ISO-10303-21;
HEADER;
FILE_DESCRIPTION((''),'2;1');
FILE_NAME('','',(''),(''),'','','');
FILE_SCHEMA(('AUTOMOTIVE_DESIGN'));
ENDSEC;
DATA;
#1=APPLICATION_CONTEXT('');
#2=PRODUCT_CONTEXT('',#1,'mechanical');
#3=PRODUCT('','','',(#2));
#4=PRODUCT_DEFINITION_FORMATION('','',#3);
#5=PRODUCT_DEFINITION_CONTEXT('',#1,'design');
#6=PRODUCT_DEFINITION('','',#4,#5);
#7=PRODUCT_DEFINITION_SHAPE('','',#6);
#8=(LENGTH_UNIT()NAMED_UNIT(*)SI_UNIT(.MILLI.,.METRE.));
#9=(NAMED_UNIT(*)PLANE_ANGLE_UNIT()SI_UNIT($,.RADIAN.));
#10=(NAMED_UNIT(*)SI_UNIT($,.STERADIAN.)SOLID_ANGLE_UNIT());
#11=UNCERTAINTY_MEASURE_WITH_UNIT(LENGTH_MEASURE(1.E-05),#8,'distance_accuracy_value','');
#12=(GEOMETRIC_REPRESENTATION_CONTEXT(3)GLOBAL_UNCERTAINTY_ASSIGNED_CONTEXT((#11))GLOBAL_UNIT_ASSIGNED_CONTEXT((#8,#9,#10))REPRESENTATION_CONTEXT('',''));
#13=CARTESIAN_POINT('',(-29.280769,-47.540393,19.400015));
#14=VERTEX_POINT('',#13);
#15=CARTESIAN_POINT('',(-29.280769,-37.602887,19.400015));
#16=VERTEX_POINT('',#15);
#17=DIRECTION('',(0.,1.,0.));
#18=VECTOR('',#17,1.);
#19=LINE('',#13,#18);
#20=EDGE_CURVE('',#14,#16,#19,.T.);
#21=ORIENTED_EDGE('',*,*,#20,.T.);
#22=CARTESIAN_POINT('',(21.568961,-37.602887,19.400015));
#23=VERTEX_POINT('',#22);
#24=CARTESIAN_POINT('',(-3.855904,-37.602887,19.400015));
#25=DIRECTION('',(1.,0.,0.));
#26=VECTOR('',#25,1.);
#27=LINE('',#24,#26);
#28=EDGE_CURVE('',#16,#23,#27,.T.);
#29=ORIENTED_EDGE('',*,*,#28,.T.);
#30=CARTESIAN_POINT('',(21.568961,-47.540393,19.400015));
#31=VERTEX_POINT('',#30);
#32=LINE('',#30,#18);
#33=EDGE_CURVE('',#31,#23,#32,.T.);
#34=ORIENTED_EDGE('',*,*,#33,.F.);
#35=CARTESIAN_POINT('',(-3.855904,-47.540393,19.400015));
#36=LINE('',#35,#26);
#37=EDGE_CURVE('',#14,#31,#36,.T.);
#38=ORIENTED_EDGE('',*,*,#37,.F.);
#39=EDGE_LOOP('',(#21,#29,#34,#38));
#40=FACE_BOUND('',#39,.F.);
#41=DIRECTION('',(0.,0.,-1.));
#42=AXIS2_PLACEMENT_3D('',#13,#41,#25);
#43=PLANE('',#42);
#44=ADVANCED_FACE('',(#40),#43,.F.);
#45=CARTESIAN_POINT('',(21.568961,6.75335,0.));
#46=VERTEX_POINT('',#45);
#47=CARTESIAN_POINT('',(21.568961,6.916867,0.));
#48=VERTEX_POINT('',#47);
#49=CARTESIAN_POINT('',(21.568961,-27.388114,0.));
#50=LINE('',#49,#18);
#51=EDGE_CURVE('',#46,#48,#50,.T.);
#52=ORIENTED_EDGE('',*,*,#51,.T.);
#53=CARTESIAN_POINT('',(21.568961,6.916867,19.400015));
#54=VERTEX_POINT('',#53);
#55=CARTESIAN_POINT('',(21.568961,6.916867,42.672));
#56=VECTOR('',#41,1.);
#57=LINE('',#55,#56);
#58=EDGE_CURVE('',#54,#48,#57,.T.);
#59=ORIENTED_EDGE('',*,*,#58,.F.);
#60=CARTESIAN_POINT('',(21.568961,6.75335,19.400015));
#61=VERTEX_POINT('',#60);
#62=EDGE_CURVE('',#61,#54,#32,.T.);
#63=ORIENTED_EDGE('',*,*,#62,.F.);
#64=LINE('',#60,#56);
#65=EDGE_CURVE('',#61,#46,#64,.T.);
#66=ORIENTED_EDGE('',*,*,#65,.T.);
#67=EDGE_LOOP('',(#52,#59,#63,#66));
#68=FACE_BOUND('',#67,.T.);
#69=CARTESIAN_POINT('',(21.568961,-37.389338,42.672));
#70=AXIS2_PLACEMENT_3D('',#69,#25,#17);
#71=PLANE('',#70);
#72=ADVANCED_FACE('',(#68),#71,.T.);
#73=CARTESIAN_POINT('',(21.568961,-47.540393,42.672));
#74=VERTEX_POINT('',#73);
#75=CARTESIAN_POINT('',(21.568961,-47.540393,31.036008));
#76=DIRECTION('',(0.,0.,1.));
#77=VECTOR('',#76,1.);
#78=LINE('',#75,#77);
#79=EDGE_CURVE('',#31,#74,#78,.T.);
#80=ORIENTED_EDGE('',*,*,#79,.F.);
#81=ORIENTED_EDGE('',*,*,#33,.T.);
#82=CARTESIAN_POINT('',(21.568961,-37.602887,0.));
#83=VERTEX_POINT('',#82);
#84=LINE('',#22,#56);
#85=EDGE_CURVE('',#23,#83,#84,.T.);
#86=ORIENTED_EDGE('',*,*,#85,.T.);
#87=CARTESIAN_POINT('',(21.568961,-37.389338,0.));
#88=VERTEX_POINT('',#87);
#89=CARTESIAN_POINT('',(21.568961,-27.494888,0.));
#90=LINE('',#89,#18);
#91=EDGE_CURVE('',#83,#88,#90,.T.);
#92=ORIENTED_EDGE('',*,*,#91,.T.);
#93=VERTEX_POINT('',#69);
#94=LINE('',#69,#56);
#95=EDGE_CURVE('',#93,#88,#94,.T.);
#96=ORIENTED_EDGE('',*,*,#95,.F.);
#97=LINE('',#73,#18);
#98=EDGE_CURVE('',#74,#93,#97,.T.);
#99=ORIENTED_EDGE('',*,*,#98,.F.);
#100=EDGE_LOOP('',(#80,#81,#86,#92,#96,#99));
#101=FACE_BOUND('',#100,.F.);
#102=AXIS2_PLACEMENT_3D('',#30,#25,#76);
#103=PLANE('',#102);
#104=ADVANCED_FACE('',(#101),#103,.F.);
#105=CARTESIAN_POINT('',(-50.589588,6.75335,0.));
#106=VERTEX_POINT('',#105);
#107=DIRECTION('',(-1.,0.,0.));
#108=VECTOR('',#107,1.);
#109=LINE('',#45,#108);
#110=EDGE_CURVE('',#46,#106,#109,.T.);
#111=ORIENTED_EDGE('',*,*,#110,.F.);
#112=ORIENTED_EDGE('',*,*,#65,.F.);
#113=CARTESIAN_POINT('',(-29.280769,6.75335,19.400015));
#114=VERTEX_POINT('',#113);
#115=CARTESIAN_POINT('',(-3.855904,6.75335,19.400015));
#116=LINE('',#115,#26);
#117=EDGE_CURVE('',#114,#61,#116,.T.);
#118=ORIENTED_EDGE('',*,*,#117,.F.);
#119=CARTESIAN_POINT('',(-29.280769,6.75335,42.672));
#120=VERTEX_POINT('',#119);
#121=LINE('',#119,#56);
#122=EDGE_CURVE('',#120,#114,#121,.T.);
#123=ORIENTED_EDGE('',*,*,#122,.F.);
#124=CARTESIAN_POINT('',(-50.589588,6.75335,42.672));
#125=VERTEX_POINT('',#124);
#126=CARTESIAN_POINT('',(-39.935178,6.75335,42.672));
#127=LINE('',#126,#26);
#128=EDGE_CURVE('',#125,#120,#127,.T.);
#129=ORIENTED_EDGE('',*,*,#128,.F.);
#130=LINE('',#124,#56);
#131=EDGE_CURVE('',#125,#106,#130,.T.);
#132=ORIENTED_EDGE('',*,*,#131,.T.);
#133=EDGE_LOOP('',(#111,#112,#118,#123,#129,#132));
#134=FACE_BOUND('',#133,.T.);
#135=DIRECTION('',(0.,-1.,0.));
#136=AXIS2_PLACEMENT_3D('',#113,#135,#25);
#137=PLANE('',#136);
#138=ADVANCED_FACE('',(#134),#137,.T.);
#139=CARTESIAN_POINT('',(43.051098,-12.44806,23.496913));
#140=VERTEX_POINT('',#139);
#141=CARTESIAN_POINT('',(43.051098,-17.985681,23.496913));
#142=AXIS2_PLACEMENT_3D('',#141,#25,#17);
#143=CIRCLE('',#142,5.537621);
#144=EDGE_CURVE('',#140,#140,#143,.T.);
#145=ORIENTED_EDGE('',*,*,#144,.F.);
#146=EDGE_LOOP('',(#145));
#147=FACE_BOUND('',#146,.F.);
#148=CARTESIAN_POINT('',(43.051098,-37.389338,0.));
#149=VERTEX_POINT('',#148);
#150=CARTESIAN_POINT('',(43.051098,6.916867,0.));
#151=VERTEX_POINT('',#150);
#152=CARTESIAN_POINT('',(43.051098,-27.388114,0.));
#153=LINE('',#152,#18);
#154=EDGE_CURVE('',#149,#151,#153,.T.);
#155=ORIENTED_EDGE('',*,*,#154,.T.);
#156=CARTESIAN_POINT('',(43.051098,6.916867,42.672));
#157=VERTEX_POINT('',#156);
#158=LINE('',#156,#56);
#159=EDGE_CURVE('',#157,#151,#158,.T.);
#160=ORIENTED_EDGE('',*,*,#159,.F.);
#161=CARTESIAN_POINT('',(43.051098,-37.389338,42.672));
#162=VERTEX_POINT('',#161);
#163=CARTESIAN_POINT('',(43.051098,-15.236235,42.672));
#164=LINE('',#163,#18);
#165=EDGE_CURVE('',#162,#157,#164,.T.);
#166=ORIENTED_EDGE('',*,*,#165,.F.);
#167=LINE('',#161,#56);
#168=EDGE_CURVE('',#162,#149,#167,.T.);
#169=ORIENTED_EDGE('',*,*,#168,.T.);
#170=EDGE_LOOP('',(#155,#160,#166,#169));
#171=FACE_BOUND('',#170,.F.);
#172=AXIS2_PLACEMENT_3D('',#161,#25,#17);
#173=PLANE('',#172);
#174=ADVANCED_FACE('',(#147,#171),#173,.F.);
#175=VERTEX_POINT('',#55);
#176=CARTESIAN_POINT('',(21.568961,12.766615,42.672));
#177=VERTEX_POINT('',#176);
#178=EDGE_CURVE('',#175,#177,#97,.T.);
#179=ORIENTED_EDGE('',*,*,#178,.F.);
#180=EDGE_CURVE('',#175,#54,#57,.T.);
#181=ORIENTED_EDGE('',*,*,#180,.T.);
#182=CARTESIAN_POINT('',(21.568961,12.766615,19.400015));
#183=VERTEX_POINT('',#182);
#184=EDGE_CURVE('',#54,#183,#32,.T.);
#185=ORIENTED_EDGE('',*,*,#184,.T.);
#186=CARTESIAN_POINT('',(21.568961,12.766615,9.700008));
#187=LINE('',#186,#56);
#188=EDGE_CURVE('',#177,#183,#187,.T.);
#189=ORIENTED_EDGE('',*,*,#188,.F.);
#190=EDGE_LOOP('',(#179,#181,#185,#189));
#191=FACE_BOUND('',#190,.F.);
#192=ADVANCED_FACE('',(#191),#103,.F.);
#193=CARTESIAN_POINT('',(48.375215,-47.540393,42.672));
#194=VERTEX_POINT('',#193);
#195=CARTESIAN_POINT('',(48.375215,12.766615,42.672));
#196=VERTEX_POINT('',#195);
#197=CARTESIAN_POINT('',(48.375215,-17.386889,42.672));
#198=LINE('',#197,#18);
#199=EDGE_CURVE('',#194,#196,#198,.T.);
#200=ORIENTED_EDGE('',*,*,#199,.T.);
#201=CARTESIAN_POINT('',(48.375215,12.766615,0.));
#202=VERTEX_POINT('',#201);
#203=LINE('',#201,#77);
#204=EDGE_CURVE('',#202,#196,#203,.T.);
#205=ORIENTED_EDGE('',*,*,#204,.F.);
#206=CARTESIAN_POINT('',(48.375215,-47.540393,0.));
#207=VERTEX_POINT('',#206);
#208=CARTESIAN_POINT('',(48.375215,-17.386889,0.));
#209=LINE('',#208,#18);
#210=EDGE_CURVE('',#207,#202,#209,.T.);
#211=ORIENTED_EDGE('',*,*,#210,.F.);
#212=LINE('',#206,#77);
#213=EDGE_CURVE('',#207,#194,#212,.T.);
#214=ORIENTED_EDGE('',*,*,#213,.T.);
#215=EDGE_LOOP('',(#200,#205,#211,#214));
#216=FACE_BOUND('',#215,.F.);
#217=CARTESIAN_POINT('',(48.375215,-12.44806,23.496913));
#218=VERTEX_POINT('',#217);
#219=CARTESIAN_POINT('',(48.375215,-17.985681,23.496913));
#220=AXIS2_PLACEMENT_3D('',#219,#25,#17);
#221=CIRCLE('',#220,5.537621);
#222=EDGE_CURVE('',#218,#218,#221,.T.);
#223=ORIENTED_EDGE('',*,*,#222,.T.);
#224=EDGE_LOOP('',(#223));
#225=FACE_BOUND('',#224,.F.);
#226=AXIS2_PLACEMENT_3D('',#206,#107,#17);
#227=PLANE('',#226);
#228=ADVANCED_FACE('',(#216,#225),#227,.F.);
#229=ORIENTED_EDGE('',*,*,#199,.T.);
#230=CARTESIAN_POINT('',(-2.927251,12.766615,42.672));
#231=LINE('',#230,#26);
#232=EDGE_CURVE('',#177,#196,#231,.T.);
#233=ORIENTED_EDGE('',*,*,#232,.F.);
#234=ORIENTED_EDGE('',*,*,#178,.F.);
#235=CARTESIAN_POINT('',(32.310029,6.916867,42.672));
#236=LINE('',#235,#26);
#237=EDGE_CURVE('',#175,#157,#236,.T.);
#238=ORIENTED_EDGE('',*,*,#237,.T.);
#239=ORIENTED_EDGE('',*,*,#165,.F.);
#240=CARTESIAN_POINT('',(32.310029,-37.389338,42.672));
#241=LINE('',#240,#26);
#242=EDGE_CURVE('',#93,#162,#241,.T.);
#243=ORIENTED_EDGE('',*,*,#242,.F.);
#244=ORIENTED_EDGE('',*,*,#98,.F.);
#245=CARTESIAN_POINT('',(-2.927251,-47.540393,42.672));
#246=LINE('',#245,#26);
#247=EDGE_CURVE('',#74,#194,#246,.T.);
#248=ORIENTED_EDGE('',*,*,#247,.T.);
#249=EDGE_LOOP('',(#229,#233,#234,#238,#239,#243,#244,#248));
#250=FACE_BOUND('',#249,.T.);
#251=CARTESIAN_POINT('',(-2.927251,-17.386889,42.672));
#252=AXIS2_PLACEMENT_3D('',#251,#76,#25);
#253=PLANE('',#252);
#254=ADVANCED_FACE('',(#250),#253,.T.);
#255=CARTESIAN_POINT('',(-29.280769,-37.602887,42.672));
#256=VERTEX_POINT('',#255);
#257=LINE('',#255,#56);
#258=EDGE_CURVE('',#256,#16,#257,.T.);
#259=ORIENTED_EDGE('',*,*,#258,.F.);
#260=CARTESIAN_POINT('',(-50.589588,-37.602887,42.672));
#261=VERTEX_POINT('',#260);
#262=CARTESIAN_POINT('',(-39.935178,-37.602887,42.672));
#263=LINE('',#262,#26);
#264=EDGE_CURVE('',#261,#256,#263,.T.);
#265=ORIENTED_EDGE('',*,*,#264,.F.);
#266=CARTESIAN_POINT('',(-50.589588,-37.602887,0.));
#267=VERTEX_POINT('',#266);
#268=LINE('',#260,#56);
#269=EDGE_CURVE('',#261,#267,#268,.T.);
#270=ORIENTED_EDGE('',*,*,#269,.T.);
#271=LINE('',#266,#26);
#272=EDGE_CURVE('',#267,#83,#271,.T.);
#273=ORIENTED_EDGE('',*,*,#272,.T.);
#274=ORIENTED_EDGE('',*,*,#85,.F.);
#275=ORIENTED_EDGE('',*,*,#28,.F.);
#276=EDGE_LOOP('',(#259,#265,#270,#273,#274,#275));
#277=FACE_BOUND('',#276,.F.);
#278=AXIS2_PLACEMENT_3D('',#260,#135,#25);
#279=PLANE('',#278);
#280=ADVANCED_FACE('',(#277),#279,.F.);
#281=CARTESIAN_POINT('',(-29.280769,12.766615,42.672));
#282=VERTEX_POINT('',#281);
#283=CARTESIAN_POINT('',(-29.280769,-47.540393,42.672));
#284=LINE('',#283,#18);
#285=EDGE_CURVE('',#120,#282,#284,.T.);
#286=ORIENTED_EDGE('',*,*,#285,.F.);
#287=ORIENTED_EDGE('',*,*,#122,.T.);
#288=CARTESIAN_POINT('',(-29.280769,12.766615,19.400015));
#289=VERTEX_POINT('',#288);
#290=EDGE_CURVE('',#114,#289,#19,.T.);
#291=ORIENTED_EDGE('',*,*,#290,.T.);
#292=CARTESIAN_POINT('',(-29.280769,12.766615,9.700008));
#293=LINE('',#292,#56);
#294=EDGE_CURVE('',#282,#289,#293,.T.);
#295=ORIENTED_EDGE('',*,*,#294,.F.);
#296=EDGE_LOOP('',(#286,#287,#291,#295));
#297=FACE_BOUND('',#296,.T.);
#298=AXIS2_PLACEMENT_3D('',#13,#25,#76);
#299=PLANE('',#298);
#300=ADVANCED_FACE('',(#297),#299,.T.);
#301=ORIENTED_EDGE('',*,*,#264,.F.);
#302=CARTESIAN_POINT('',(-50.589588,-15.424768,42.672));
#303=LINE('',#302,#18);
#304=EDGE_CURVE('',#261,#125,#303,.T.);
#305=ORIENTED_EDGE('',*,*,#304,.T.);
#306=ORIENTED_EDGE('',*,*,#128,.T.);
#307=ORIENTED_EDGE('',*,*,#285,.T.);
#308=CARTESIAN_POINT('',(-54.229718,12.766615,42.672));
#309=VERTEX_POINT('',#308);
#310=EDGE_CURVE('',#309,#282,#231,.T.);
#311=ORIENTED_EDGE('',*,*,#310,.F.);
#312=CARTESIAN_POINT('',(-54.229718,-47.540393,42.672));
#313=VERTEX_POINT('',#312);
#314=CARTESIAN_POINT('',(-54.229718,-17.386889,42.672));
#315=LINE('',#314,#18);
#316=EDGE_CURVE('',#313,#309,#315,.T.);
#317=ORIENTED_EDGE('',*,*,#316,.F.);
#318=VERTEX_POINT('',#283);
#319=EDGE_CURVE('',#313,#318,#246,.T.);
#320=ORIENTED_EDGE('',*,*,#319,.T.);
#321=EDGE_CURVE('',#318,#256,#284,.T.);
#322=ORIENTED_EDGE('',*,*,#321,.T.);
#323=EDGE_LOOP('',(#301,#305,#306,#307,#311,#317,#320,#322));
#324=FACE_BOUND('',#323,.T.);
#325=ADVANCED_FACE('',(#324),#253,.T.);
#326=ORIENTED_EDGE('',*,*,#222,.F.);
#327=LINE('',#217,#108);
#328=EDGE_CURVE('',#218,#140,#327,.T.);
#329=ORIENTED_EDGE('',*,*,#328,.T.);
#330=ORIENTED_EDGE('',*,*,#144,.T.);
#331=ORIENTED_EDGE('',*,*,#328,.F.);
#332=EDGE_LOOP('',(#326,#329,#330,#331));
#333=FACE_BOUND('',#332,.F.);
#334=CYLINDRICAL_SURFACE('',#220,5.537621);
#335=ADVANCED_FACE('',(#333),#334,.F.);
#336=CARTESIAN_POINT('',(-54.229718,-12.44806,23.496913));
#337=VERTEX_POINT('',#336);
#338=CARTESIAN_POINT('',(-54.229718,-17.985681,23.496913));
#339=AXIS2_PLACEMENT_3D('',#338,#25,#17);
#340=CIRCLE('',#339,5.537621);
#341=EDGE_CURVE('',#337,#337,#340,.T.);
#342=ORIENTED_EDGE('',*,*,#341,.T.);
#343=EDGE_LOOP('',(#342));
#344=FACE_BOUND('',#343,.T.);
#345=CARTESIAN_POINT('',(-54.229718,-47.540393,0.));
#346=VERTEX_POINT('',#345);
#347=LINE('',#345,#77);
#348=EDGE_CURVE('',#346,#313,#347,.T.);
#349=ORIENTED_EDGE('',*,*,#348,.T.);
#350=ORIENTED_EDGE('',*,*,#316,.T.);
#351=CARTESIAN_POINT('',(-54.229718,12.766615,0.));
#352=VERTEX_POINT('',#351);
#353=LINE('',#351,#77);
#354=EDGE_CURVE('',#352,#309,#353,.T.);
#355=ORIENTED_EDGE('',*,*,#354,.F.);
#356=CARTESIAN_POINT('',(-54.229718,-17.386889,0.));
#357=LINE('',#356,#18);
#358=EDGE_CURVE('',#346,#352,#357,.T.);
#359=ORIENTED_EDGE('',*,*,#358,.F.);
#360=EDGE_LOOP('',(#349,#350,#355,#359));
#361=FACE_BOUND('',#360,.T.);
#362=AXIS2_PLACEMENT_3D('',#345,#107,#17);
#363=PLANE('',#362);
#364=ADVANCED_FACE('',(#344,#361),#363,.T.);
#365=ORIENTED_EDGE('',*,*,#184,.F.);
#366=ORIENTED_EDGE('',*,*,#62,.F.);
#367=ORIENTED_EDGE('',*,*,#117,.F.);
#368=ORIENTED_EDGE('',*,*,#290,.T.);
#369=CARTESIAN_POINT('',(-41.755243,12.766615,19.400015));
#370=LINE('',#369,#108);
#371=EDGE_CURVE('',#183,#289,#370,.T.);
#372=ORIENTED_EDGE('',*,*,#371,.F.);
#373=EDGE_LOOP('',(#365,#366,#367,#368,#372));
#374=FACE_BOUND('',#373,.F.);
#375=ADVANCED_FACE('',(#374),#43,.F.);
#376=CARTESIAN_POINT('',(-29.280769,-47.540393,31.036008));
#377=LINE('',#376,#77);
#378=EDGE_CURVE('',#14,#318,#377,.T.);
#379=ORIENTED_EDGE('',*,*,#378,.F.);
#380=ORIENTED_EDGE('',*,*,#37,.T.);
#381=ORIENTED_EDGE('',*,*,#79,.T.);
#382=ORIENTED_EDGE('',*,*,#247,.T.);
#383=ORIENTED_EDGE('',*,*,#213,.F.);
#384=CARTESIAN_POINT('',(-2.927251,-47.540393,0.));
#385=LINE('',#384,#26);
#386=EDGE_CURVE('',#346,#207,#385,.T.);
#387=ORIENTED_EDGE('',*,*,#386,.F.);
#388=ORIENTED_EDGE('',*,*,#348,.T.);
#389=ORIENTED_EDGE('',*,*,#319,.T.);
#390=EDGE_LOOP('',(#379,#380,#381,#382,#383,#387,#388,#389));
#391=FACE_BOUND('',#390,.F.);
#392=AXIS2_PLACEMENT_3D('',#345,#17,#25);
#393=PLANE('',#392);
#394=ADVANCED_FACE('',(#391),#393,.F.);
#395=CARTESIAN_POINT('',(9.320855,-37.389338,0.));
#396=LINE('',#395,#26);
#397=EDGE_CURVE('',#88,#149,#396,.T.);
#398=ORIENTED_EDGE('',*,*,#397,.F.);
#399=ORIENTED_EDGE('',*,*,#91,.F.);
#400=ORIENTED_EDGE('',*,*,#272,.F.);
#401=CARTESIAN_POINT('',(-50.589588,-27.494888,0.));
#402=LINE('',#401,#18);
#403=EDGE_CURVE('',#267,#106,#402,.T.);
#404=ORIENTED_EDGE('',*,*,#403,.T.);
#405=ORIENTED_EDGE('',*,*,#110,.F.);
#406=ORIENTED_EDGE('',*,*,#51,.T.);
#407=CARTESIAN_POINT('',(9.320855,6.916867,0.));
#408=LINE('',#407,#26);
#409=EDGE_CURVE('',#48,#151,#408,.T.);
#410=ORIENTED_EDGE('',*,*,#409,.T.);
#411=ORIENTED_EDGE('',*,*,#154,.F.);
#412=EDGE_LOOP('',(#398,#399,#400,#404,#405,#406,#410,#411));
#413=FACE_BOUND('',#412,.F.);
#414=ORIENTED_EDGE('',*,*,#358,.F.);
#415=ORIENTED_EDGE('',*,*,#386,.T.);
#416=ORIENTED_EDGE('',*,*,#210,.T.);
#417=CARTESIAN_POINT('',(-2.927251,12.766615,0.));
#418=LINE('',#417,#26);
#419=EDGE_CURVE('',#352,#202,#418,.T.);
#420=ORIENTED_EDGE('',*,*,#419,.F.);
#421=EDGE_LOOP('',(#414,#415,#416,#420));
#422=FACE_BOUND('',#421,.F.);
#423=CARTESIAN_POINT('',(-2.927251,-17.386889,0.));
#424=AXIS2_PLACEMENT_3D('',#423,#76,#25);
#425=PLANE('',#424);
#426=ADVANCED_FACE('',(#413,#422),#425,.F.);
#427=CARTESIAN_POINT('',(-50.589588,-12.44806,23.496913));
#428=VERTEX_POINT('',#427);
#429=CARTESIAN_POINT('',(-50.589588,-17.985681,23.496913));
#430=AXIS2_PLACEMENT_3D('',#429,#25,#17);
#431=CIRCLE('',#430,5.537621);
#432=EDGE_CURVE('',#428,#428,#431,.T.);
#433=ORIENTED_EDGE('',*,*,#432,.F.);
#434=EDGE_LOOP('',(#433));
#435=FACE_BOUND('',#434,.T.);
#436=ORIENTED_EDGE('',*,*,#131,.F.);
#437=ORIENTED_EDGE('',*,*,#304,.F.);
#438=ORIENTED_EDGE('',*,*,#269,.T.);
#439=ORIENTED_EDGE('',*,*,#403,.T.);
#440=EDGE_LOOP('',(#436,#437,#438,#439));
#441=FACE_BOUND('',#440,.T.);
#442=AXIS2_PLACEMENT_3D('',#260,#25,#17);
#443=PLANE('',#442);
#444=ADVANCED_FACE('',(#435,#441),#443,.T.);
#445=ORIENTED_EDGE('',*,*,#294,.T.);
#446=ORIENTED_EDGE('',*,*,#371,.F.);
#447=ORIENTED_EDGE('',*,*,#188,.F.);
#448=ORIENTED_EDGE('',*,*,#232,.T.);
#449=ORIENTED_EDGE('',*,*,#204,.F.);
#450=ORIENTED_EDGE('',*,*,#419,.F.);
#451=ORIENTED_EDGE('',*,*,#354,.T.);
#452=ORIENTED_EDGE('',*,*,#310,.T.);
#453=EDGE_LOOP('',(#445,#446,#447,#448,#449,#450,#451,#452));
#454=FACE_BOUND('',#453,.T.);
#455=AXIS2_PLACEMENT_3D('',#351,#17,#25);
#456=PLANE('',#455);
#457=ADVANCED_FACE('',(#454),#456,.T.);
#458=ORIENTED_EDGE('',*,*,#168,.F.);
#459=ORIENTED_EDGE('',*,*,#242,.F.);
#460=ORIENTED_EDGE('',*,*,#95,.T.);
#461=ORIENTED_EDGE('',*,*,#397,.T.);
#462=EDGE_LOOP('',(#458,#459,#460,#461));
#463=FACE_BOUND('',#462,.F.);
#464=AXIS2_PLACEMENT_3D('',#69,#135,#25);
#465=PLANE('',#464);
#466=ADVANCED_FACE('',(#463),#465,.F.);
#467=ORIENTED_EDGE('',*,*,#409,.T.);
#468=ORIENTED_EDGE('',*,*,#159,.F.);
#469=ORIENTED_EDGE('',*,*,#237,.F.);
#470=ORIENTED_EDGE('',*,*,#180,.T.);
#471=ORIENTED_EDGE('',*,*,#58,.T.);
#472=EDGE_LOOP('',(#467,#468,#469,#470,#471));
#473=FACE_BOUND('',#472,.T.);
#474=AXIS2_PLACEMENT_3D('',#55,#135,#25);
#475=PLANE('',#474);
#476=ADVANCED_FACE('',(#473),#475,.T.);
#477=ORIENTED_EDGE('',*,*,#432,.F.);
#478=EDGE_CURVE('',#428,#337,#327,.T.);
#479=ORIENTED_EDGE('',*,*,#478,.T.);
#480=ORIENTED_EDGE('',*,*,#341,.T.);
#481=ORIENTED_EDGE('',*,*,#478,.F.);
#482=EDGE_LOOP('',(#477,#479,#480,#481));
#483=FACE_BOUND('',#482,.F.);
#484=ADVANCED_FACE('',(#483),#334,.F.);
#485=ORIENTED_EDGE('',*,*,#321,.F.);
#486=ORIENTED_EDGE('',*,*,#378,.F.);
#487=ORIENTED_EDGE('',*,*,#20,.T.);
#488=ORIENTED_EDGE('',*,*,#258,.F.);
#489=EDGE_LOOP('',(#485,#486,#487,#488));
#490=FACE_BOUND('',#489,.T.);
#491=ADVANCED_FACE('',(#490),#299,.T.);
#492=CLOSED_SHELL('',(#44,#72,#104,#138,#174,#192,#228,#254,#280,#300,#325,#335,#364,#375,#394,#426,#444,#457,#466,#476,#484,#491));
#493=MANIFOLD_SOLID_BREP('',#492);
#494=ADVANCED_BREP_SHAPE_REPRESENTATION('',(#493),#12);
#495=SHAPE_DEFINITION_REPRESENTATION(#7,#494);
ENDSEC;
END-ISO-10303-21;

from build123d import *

# Parameters (mm, degrees)
F0_W      = 102.6049330831
F0_H      = 60.307007283
F1_DEPTH  = 42.672
F2_W      = 50.8497301489
F2_H      = 23.2719845266
F3_DEPTH  = 108.712
F4_W      = 21.308818832
F4_H      = 44.3562362343
F5_DEPTH  = 70.612
F6_W      = 50.8497301489
F6_H      = 44.3562362343
F7_DEPTH  = 37.592
F8_W      = 21.4821361005
F8_H      = 44.3062051199
F9_DEPTH  = 71.882
F10_R     = 5.5376210479
F11_DEPTH = 182.626


with BuildPart() as f1:
    # F0 (on Top) → F1 (new body)
    with BuildSketch(Plane.XY):
        with Locations((-2.9272511601, -17.3868890852)):
            Rectangle(F0_W, F0_H)
    extrude(amount=F1_DEPTH)

    # F2 (on face) → F3 (cut)
    with BuildSketch(Plane.XZ.offset(47.5403927267)):
        with Locations((-3.8559036329, 31.0360077367)):
            Rectangle(F2_W, F2_H)
    extrude(amount=-F3_DEPTH, mode=Mode.SUBTRACT)

    # F4 (on face) → F5 (cut)
    with BuildSketch(Plane.XY.offset(42.672)):
        with Locations((-39.9351781234, -15.4247684404)):
            Rectangle(F4_W, F4_H)
    extrude(amount=-F5_DEPTH, mode=Mode.SUBTRACT)

    # F6 (on face) → F7 (cut)
    with BuildSketch(Plane.XY.offset(19.4000154734)):
        with Locations((-3.8559036329, -15.4247684404)):
            Rectangle(F6_W, F6_H)
    extrude(amount=-F7_DEPTH, mode=Mode.SUBTRACT)

    # F8 (on face) → F9 (cut)
    with BuildSketch(Plane.XY.offset(42.672)):
        with Locations((32.3100294918, -15.2362354565)):
            Rectangle(F8_W, F8_H)
    extrude(amount=-F9_DEPTH, mode=Mode.SUBTRACT)

    # F10 (on face) → F11 (cut)
    with BuildSketch(Plane.YZ.offset(48.3752153814)):
        with Locations((-17.9856810719, 23.4969127923)):
            Circle(F10_R)
    extrude(amount=-F11_DEPTH, mode=Mode.SUBTRACT)


solid = f1.part
